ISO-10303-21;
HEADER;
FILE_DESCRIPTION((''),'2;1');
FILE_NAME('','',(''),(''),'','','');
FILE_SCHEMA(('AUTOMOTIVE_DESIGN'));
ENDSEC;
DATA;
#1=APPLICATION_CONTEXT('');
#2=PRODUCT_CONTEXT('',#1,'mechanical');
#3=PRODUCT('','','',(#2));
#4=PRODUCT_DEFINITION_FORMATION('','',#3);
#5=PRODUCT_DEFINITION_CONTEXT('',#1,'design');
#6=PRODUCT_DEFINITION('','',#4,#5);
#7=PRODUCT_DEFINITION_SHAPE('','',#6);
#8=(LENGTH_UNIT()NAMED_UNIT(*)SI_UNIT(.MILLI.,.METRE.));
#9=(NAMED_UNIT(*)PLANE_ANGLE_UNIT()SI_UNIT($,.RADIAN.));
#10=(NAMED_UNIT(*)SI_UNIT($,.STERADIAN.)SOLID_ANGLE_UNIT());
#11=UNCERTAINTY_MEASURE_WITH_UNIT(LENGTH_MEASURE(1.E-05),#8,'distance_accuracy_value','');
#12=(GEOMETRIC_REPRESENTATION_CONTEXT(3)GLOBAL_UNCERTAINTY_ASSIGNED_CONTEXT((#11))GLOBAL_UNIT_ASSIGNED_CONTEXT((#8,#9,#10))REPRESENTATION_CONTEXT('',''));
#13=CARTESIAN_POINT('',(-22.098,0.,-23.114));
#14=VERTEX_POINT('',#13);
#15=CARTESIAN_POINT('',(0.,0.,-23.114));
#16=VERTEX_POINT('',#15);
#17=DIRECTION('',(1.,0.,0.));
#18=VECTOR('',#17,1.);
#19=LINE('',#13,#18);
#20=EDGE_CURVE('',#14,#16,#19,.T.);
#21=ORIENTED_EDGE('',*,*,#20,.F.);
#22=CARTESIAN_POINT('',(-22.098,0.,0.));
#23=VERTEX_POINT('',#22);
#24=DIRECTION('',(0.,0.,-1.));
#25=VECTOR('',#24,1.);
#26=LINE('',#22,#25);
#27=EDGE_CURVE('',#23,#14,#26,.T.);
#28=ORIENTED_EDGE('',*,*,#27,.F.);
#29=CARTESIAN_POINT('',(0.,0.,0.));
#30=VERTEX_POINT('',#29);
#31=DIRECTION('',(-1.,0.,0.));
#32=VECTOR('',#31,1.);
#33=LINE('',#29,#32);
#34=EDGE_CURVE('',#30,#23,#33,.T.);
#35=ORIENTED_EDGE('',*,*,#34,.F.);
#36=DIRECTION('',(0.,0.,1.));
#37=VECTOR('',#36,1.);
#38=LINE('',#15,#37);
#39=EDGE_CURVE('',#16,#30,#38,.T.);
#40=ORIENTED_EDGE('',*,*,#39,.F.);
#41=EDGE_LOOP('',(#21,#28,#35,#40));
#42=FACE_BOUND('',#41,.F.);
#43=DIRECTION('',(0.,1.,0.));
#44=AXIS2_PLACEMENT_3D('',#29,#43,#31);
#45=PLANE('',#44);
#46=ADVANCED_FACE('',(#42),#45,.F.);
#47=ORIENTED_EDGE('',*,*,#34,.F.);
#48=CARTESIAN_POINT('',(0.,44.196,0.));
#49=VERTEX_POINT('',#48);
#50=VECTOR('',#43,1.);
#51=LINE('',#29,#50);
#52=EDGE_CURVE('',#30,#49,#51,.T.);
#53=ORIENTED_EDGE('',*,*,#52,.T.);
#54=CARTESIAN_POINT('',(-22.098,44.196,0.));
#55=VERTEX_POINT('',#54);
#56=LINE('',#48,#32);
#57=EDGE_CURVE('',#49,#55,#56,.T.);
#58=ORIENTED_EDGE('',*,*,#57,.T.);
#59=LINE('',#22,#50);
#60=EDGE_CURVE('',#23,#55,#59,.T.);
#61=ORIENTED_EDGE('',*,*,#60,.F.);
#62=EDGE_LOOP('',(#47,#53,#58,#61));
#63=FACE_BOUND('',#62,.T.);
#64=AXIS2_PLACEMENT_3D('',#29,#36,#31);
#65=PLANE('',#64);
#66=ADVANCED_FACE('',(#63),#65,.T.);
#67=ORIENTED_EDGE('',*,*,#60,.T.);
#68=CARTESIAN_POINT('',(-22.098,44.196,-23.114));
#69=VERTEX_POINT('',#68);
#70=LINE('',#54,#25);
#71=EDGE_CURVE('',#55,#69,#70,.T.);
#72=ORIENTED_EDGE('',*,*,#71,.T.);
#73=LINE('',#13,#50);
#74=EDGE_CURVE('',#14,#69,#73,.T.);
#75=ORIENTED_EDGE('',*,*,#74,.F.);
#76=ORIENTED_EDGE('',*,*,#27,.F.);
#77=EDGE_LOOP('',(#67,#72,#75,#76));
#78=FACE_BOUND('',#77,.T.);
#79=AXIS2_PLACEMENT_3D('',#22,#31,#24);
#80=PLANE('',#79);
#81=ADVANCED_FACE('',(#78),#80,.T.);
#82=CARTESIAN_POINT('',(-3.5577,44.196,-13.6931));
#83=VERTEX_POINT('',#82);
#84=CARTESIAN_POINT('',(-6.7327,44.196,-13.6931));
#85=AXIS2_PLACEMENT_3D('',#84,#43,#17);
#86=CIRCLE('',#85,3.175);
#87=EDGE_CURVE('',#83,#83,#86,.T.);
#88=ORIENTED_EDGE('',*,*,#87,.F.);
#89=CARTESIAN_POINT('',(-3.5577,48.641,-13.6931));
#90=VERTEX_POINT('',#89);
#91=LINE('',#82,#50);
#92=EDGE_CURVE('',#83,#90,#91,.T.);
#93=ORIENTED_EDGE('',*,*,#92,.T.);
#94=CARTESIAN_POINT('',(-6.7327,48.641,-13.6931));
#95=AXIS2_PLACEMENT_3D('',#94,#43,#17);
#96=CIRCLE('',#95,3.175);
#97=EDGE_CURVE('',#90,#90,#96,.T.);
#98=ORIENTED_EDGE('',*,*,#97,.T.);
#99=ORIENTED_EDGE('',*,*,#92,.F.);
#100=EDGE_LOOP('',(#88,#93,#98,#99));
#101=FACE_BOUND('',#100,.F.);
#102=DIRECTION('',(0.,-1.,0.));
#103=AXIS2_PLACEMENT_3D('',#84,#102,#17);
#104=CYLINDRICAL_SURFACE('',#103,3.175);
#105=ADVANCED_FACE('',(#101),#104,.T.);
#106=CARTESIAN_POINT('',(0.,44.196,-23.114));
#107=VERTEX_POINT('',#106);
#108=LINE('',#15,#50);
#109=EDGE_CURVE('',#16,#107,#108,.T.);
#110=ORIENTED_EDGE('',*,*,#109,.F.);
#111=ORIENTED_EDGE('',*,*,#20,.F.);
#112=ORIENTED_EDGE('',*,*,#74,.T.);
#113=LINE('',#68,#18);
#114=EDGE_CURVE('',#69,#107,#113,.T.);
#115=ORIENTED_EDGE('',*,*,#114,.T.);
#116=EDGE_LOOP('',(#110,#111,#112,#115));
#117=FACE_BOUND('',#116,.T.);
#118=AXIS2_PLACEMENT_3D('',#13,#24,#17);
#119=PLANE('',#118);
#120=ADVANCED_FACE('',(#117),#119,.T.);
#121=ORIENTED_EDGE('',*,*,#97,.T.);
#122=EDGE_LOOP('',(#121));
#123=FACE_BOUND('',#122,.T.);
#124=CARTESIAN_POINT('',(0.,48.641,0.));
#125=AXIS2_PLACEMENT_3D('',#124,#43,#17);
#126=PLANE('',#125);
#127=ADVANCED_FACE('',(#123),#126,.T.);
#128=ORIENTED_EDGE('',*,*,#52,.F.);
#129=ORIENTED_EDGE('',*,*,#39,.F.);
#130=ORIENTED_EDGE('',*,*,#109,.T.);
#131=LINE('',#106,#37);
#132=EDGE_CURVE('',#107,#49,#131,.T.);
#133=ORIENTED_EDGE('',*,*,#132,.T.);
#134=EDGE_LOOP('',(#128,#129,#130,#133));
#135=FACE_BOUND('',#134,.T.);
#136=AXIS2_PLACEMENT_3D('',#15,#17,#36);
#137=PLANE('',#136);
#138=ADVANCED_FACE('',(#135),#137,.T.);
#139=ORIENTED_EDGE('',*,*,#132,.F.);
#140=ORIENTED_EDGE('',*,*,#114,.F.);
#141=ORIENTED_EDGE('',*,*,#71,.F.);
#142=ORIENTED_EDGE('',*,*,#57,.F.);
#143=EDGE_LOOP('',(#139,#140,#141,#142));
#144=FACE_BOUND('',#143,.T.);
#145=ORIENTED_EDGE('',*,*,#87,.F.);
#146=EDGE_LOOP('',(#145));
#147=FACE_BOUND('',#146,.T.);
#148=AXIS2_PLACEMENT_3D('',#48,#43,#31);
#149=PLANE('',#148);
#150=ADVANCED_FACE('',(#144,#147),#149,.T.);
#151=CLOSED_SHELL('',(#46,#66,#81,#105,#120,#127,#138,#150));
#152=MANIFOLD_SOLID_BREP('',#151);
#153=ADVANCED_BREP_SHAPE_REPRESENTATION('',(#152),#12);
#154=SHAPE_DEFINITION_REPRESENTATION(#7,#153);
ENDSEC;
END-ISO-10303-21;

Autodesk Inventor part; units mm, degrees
ref_plane "YZ Plane" through (0, 0, 0) normal (1, 0, 0) x (0, 1, 0)
ref_plane "XZ Plane" through (0, 0, 0) normal (0, 1, 0) x (-1, 0, 0)
ref_plane "XY Plane" through (0, 0, 0) normal (0, 0, 1) x (1, 0, 0)
sketch "Sketch1" plane through (0, 0, 0) normal (0, 1, 0) x (-1, 0, 0)
  line L0 (0, 0) -> (22.098, 0)
  line L1 (22.098, 0) -> (22.098, -23.114)
  line L2 (22.098, -23.114) -> (0, -23.114)
  line L3 (0, -23.114) -> (0, 0)
  dimension "d0" = 22.098
  dimension "d1" = 23.114
extrude "Extrusion1" add sketch "Sketch1" along normal blind 44.196
sketch "Sketch2" plane through (0, 44.196, 0) normal (0, 1, 0) x (1, 0, 0)
  circle A0 centre (-6.7327, 13.6931) radius 3.175
  point P0 (0, 0)
  dimension "d4" = 6.35
extrude "Extrusion2" add sketch "Sketch2" along normal blind 4.445
properties part number "arduino_radio_volume" material "ABS Plastic"
